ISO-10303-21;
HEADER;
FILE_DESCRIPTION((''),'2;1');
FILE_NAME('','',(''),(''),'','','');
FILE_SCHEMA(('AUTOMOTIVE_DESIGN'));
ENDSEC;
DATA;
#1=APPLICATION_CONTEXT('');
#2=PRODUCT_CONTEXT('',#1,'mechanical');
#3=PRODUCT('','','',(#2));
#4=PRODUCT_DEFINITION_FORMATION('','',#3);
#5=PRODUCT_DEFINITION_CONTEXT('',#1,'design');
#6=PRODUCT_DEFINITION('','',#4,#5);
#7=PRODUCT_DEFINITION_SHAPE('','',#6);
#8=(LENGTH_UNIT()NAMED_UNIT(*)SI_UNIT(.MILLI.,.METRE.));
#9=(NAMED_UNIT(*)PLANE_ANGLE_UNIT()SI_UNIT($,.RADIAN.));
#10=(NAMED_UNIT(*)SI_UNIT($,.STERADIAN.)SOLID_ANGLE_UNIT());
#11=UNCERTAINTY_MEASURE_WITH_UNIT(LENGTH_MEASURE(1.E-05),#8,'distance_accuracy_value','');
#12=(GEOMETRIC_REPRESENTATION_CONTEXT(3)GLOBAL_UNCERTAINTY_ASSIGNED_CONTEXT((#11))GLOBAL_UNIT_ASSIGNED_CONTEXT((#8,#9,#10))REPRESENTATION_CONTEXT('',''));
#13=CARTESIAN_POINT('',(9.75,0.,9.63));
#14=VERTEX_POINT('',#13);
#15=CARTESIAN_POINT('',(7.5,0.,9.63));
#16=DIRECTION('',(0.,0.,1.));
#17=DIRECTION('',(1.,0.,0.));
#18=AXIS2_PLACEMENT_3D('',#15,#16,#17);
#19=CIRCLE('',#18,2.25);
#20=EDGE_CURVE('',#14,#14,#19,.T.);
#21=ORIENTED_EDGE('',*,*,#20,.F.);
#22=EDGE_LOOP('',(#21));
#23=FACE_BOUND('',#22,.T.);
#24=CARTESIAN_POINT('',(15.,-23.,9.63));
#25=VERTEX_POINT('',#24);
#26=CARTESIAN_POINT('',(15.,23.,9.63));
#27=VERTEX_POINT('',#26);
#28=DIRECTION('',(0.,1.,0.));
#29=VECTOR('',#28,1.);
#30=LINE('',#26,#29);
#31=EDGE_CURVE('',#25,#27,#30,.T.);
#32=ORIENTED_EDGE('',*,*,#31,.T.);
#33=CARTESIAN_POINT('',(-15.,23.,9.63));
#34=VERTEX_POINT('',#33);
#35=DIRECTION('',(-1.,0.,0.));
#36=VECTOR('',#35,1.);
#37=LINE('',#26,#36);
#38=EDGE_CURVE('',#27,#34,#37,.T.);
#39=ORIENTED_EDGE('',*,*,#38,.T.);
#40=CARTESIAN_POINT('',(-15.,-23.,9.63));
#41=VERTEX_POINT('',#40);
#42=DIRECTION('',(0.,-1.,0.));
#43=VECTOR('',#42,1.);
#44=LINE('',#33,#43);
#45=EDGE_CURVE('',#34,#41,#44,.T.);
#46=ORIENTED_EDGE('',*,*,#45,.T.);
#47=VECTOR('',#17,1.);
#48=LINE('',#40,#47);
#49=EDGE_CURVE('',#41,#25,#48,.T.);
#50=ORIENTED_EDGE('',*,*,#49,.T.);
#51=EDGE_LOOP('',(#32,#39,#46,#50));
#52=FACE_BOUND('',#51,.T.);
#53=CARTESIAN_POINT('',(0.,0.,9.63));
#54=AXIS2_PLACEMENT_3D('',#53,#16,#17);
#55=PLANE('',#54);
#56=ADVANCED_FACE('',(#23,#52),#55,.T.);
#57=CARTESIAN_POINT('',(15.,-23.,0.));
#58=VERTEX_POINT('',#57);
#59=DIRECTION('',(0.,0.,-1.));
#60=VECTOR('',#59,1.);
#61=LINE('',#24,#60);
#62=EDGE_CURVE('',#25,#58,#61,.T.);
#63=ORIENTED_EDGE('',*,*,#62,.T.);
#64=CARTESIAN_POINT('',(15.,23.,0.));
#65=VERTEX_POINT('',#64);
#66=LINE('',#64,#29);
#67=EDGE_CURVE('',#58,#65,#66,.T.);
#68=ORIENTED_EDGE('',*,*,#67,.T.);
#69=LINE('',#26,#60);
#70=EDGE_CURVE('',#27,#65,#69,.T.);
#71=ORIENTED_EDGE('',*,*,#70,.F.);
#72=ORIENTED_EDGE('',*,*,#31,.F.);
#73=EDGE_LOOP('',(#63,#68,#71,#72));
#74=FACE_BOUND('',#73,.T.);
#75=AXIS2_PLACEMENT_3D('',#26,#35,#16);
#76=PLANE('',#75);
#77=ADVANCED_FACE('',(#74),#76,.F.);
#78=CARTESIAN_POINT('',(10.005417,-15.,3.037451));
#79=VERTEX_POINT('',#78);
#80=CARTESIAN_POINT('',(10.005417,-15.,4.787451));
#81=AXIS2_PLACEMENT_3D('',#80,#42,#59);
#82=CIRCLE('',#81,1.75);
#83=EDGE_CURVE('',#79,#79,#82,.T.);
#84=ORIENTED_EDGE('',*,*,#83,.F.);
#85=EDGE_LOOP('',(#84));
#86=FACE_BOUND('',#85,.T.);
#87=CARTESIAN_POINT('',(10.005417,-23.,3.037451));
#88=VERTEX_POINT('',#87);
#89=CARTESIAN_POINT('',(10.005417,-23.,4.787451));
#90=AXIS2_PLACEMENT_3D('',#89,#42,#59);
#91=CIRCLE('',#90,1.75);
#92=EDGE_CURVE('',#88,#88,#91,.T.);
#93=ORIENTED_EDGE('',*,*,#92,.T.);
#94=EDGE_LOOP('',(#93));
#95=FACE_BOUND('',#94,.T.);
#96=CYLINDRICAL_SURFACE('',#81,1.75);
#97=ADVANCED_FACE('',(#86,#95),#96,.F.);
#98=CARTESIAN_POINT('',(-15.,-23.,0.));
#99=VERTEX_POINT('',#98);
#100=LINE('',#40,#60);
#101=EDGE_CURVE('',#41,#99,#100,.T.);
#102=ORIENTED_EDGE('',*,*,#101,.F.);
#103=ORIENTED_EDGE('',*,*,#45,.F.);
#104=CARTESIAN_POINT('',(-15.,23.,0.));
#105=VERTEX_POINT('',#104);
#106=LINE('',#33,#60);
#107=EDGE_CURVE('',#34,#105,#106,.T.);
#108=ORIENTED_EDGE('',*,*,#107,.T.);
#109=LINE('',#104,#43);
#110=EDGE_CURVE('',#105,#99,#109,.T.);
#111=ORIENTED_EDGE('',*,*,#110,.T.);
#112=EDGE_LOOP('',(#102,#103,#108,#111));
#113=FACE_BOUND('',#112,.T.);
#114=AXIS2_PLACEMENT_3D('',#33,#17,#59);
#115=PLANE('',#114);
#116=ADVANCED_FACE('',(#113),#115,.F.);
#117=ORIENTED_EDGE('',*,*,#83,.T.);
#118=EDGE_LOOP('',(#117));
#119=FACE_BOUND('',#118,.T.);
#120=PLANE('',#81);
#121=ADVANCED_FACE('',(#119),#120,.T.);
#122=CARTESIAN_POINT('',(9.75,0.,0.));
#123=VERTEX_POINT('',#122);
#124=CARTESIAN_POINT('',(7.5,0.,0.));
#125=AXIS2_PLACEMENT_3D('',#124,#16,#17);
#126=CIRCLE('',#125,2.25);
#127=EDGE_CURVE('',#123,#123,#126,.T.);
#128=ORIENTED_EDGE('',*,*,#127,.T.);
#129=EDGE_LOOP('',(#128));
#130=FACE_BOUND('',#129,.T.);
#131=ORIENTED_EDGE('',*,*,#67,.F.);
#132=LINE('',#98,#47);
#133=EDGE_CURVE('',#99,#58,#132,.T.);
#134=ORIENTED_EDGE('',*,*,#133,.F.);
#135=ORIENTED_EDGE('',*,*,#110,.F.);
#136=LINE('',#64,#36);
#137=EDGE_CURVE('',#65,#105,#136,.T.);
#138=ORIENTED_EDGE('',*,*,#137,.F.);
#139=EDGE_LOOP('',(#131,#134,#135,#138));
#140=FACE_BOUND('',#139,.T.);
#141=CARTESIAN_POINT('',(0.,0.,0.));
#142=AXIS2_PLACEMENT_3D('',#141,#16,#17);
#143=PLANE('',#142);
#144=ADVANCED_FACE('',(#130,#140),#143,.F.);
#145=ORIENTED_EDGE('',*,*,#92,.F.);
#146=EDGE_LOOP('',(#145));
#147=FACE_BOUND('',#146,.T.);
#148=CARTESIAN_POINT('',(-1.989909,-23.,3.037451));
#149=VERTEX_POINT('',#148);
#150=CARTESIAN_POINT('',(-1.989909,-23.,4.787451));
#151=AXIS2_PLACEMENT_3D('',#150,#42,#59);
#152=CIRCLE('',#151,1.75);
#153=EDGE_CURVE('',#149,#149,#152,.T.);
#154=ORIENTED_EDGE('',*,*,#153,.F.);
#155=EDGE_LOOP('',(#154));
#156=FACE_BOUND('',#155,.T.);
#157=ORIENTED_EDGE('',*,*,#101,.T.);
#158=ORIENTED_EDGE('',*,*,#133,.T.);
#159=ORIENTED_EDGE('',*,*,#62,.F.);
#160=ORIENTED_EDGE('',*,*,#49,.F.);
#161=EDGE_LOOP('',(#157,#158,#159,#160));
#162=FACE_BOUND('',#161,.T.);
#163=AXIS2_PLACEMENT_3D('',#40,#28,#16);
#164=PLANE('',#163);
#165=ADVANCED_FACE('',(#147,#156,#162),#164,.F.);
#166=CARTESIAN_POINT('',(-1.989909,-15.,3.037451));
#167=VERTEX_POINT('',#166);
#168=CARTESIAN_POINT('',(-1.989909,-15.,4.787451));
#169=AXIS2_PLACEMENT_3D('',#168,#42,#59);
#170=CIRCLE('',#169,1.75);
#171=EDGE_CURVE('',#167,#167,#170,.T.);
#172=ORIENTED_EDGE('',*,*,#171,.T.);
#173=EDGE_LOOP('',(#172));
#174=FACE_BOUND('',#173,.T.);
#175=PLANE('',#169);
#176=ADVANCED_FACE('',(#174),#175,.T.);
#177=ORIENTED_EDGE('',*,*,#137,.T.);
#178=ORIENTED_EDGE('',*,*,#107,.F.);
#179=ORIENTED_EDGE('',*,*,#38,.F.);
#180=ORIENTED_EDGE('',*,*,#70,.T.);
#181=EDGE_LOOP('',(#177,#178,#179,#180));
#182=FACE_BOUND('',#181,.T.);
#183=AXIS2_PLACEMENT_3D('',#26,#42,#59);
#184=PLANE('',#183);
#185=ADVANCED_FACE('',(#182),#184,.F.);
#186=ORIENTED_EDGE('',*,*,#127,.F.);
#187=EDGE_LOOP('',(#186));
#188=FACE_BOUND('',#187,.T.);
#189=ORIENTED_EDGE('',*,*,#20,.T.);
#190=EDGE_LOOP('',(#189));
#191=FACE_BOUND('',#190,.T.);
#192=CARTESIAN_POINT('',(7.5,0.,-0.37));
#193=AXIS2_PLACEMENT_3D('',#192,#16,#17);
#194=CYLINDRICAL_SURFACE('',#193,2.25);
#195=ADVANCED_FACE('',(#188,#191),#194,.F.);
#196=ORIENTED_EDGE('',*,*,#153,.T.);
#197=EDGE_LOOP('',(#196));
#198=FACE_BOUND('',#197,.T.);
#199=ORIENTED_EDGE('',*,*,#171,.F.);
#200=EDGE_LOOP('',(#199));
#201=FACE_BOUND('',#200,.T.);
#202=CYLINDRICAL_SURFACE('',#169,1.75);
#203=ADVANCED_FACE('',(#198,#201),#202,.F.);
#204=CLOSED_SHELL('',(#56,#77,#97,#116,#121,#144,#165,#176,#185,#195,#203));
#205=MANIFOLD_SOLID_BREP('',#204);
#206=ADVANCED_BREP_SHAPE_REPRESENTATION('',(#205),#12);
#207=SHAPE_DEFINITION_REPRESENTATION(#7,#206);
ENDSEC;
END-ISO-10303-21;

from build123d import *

# Parameters (mm, degrees)
SKETCH1_W          = 30
SKETCH1_H          = 46
EXTRUDE_3_8_DEPTH  = 9.63
SKETCH3_R          = 1.75
M4_DRILL_DEPTH     = 8
SKETCH5_R          = 2.25
CUT_EXTRUDE1_DEPTH = 10


with BuildPart() as part:
    # Sketch1 → 3/8 (new body)
    with BuildSketch(Plane.XY):
        Rectangle(SKETCH1_W, SKETCH1_H)
    extrude(amount=EXTRUDE_3_8_DEPTH)

    # Sketch3 → M4_DRILL (cut)
    with BuildSketch(Plane.XZ.offset(23)):
        with Locations(Location((-1.989909349, 4.787451112, 0), (0, 0, 270))):
            Circle(SKETCH3_R)
        with Locations(Location((10.005417301, 4.787451112, 0), (0, 0, 270))):
            Circle(SKETCH3_R)
    extrude(amount=-M4_DRILL_DEPTH, mode=Mode.SUBTRACT)

    # Sketch5 → Cut-Extrude1 (cut)
    with BuildSketch(Plane.XY.offset(9.63)):
        with Locations((7.5, 0)):
            Circle(SKETCH5_R)
    extrude(amount=-CUT_EXTRUDE1_DEPTH, mode=Mode.SUBTRACT)


solid = part.part
